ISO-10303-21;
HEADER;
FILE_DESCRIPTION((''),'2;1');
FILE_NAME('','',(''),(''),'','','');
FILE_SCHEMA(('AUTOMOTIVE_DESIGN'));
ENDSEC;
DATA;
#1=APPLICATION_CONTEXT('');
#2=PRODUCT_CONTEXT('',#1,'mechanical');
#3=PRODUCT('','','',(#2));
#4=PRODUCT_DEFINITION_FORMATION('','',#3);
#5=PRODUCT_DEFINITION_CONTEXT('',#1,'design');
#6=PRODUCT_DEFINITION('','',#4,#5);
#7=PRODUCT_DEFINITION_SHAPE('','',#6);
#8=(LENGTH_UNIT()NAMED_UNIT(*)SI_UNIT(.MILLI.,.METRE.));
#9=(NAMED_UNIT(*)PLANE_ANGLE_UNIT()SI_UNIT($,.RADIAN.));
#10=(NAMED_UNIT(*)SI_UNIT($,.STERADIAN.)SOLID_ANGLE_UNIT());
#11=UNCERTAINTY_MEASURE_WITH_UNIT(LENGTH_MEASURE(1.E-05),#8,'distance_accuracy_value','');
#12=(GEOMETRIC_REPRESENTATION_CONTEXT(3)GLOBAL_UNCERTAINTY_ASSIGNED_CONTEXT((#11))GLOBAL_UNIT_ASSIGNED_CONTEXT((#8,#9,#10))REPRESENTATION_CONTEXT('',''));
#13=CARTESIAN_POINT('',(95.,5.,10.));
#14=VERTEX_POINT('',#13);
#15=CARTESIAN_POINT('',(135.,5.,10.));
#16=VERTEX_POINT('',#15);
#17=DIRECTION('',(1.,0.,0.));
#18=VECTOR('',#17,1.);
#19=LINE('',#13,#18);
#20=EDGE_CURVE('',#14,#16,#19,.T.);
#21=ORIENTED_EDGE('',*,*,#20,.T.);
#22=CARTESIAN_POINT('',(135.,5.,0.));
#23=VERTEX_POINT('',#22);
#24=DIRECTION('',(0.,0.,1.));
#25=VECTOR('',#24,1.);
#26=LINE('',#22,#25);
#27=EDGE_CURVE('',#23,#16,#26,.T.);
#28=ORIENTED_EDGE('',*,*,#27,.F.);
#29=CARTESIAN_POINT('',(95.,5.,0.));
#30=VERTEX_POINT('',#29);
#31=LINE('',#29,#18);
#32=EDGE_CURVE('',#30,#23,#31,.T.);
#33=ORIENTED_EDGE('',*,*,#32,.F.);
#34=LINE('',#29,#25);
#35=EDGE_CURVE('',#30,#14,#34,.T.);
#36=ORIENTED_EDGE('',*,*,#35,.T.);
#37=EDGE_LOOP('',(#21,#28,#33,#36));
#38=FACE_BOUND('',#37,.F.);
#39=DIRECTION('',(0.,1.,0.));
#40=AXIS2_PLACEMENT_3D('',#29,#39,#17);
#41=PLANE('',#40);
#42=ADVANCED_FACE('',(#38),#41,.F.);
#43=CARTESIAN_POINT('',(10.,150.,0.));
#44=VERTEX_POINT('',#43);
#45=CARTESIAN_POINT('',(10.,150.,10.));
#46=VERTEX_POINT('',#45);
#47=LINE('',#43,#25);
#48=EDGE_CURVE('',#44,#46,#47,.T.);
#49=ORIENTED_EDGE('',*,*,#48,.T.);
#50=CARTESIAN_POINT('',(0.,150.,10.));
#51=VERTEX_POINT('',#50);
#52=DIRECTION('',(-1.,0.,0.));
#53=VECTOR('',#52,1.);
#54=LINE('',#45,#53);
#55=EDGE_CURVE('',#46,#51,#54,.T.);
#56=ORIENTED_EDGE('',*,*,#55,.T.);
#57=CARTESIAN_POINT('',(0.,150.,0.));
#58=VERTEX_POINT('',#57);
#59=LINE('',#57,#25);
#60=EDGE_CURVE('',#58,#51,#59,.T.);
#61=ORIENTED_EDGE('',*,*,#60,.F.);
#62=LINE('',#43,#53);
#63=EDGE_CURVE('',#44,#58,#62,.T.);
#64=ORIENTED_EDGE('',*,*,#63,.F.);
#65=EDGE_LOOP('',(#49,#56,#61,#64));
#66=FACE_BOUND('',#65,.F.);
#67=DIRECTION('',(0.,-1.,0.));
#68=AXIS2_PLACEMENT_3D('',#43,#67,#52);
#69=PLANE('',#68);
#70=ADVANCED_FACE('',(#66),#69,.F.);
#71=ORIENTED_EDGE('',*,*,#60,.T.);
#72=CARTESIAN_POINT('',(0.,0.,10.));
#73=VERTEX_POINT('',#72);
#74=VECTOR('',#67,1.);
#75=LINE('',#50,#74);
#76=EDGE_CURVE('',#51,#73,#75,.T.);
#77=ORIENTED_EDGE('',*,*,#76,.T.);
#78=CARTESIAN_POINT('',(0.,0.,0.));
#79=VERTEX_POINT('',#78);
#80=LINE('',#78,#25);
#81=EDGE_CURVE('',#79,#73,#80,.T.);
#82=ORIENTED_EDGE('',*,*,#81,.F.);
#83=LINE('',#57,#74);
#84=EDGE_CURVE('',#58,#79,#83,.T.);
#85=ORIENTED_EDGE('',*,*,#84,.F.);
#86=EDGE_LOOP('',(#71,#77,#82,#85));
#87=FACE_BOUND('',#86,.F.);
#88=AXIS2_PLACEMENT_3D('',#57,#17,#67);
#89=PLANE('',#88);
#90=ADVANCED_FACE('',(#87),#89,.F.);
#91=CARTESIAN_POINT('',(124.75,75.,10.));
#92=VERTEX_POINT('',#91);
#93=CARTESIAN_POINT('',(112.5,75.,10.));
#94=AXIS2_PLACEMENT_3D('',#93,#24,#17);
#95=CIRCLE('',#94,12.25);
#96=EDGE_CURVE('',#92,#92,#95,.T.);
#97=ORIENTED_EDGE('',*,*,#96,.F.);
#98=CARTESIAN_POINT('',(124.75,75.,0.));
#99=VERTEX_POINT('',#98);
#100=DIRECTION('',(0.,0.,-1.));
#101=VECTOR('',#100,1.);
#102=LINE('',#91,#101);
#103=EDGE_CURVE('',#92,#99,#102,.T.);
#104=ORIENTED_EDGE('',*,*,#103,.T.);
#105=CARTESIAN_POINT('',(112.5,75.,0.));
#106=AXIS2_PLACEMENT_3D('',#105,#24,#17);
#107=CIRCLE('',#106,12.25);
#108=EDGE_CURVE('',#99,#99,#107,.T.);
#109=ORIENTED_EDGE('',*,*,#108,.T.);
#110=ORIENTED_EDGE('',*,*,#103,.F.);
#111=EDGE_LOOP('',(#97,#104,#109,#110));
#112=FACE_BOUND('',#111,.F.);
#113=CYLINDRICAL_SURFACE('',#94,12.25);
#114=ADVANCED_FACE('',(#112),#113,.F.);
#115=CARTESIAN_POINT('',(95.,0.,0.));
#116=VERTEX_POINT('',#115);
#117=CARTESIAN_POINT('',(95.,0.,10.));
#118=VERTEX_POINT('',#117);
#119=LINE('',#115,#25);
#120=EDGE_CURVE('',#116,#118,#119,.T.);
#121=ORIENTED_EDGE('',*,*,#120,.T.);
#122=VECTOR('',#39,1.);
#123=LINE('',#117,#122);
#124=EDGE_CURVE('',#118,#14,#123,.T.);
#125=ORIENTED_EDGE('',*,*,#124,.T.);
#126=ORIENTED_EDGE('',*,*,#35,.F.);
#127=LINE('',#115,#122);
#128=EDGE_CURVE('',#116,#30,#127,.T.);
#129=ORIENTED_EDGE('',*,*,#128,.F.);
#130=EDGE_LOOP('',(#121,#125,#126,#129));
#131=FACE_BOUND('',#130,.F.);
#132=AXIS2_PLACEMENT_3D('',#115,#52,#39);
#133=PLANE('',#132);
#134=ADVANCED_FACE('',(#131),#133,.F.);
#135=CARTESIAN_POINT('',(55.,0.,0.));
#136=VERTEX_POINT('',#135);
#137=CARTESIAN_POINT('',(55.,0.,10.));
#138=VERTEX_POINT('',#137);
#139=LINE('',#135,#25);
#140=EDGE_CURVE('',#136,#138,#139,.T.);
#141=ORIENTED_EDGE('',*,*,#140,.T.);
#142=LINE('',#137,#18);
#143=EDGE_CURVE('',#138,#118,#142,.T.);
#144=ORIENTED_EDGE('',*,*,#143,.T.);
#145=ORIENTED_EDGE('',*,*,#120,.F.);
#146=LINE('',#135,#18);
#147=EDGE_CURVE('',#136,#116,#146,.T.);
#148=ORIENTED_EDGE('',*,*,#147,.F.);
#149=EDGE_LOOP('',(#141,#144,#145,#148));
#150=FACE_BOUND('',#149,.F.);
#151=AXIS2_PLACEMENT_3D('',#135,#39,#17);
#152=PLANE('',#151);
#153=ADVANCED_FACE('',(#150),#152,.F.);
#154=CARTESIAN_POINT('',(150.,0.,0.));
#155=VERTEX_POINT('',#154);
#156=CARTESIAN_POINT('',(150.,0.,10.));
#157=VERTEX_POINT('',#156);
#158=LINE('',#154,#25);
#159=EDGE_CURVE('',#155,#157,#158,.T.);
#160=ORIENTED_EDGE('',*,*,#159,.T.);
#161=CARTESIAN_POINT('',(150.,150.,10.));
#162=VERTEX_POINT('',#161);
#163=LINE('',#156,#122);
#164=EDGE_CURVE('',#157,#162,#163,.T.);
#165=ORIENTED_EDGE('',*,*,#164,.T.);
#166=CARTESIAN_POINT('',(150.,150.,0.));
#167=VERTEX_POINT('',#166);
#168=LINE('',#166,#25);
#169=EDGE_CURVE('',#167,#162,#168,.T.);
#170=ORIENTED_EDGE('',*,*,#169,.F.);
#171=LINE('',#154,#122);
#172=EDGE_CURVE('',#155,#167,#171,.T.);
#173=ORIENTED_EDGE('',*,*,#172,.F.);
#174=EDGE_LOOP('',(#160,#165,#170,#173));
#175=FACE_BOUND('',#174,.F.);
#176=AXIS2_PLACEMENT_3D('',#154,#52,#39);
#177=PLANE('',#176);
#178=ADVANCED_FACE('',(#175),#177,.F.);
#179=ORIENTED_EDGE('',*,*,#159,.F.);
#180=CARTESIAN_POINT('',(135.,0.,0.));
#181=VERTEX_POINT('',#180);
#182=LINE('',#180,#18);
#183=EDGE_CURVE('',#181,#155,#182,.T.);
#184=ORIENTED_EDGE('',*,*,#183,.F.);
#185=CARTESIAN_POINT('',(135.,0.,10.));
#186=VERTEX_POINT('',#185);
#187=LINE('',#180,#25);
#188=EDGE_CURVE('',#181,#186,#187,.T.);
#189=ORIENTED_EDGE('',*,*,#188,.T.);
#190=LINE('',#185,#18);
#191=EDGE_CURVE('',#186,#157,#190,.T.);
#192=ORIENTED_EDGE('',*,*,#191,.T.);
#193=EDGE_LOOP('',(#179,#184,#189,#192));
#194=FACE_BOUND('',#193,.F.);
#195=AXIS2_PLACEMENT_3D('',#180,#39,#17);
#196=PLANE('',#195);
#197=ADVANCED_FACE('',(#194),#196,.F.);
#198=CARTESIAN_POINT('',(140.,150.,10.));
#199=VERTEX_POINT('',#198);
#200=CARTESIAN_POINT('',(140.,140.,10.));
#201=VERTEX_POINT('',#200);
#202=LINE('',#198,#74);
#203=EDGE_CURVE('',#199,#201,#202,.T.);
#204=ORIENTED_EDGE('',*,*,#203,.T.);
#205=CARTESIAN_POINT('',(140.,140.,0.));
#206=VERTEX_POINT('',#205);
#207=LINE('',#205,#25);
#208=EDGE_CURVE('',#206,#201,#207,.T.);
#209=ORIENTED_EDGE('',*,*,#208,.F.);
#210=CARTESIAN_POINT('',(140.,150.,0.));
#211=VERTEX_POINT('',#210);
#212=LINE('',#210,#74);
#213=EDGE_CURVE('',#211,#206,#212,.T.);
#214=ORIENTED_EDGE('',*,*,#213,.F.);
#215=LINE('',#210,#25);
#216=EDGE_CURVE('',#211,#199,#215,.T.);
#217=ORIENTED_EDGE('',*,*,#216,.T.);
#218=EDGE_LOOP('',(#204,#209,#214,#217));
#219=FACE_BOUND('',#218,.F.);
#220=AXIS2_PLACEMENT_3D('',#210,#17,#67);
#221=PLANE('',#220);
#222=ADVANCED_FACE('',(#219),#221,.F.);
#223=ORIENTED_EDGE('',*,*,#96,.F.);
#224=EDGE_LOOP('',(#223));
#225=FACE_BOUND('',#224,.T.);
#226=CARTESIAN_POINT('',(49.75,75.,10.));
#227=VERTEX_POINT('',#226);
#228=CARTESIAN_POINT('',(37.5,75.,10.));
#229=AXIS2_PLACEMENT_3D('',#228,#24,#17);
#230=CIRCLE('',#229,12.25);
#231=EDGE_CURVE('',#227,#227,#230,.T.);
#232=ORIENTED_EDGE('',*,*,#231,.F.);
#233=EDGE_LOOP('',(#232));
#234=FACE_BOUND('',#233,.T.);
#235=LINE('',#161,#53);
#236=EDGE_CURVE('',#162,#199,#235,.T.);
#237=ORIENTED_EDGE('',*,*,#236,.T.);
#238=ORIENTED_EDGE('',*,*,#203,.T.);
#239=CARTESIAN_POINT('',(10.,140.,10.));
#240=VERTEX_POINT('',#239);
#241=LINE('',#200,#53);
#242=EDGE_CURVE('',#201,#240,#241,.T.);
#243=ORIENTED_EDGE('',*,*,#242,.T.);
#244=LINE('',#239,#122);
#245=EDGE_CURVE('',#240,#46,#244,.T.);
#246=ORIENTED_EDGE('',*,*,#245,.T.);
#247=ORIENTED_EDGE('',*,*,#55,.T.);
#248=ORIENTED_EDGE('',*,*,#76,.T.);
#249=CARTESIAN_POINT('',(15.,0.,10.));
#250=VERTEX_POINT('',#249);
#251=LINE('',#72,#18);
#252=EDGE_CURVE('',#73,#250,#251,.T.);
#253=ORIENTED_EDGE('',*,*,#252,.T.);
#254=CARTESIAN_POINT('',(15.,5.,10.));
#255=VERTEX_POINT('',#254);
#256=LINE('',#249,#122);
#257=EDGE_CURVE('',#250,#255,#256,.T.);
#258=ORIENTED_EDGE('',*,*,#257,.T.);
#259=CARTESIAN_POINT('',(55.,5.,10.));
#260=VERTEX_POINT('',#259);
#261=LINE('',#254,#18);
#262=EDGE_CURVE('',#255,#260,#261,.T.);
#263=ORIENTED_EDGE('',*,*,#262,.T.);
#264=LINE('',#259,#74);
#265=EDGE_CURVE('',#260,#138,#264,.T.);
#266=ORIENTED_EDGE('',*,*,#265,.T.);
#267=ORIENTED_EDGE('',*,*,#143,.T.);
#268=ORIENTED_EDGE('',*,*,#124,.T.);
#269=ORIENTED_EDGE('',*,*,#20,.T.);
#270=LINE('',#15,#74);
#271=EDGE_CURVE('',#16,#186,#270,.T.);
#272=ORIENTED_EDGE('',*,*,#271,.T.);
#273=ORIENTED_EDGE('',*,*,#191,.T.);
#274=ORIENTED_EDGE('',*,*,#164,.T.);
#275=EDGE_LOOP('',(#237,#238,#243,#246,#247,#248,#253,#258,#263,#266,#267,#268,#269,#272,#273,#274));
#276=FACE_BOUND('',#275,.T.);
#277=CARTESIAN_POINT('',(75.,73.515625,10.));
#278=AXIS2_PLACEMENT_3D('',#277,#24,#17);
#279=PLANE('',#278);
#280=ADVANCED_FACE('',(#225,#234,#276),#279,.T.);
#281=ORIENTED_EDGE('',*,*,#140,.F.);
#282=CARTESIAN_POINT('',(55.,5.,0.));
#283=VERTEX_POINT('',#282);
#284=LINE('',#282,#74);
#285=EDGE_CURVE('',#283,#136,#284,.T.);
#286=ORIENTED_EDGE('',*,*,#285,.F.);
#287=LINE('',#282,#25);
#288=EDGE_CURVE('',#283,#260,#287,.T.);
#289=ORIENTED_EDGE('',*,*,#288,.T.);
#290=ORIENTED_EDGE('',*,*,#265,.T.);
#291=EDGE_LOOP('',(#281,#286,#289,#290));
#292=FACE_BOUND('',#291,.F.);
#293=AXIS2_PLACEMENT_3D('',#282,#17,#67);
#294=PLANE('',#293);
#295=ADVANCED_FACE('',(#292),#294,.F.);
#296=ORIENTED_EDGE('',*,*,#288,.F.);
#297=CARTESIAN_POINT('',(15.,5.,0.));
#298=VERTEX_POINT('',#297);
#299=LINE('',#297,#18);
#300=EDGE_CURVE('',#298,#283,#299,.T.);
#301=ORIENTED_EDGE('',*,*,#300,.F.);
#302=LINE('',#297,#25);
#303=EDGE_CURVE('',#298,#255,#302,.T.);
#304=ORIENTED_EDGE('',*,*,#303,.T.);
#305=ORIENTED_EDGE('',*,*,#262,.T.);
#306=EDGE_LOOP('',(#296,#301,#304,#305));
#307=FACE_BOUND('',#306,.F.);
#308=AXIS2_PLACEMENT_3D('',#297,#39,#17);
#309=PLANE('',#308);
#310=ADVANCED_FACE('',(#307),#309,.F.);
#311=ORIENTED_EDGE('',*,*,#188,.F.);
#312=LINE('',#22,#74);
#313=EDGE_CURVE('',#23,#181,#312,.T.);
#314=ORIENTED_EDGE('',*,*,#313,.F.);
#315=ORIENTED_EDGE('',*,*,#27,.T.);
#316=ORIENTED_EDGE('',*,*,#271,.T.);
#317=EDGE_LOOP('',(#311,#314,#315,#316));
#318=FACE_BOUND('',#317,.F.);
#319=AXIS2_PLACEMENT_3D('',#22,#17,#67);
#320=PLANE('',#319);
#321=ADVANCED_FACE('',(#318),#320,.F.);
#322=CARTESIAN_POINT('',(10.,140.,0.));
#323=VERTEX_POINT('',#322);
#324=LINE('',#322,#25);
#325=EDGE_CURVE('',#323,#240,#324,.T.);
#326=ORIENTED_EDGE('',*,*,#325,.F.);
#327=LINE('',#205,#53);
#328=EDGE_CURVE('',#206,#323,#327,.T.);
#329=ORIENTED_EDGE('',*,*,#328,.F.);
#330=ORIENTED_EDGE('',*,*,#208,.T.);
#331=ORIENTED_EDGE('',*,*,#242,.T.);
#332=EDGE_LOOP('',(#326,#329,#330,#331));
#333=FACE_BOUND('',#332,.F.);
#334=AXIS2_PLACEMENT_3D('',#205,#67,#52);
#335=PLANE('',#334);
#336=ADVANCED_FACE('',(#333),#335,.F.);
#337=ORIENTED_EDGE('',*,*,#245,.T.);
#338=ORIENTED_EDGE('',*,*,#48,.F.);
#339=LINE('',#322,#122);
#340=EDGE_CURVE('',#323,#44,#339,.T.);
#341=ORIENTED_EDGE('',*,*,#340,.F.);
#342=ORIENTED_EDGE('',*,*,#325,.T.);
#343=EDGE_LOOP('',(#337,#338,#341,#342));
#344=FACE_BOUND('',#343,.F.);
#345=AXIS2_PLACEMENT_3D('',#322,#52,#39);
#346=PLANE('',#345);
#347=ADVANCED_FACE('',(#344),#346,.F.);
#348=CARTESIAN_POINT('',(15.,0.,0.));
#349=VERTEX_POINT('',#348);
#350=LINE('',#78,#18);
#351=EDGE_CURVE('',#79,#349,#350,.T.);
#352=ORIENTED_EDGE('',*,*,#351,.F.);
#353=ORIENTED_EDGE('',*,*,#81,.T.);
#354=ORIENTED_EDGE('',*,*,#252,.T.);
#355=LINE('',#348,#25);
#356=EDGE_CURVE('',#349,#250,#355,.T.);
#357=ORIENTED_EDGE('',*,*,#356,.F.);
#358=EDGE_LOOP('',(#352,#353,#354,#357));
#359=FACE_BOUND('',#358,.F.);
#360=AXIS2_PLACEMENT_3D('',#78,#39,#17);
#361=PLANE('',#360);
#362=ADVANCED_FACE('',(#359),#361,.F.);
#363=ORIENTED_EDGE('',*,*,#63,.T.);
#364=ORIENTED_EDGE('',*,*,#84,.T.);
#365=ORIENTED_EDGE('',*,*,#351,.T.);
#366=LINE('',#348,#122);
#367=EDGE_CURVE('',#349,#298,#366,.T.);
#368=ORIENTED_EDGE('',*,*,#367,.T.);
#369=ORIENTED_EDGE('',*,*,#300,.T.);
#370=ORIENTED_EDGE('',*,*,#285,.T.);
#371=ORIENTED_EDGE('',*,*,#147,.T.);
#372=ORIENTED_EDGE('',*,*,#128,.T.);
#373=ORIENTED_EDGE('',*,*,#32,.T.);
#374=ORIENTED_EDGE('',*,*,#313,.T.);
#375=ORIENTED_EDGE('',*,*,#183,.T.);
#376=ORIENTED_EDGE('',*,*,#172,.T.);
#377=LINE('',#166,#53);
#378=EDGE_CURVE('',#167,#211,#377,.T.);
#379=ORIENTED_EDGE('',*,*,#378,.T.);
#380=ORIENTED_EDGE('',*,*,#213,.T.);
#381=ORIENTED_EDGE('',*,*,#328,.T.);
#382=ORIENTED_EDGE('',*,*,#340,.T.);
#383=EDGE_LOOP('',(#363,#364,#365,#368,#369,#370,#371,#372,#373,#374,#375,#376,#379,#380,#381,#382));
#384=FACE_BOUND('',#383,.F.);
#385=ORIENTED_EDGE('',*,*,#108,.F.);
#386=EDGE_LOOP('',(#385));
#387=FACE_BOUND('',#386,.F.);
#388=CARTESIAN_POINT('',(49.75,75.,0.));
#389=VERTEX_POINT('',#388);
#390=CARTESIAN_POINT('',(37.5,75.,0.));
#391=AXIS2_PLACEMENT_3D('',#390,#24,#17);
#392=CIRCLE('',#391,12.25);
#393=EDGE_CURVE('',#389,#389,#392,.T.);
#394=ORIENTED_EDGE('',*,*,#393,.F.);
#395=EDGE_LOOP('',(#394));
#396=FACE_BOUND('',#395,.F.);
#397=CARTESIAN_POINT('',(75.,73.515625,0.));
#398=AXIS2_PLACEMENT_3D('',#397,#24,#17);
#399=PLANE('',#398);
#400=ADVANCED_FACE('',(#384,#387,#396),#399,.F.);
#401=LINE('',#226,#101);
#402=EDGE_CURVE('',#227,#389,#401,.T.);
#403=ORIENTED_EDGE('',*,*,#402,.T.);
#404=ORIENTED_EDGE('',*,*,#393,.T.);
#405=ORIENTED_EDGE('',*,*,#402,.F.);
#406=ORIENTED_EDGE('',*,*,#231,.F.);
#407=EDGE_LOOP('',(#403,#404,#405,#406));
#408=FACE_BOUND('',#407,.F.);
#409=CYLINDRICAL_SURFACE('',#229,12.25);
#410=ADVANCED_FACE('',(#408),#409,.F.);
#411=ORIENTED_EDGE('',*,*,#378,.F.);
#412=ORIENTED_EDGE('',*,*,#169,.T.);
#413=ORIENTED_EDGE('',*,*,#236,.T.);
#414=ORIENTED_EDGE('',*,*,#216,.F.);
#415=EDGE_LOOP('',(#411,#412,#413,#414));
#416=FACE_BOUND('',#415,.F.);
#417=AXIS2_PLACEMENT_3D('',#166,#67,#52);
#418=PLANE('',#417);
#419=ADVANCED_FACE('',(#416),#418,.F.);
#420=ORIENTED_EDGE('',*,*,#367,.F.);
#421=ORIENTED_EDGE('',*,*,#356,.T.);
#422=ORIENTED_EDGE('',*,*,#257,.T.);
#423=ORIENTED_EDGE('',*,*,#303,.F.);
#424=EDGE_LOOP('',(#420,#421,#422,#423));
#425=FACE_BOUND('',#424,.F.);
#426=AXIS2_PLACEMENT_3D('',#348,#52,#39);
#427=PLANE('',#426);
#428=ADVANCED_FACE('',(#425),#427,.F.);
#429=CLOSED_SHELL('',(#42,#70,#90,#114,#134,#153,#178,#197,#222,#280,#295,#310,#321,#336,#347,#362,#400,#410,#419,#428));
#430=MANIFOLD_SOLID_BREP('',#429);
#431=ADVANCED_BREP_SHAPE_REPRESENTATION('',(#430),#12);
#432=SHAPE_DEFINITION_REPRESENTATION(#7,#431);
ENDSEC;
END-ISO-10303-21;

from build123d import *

# Parameters (mm, degrees)
PAD_DEPTH    = 10
SKETCH001_R  = 12.25
POCKET_DEPTH = 10.001


with BuildPart() as part:
    # Sketch → Pad (new body)
    with BuildSketch(Plane.XY):
        Polygon((150, 0), (150, 150), (140, 150), (140, 140), (10, 140), (10, 150), (0, 150), (0, 0), (15, 0), (15, 5), (55, 5), (55, 0), (95, 0), (95, 5), (135, 5), (135, 0), align=None)
    extrude(amount=PAD_DEPTH)

    # Sketch001 (on Face18 of Pad) → Pocket (cut, through all)
    with BuildSketch(Plane.XY.offset(10)):
        with Locations((37.5, 75)):
            Circle(SKETCH001_R)
        with Locations((112.5, 75)):
            Circle(SKETCH001_R)
    extrude(amount=-POCKET_DEPTH, mode=Mode.SUBTRACT)


solid = part.part
